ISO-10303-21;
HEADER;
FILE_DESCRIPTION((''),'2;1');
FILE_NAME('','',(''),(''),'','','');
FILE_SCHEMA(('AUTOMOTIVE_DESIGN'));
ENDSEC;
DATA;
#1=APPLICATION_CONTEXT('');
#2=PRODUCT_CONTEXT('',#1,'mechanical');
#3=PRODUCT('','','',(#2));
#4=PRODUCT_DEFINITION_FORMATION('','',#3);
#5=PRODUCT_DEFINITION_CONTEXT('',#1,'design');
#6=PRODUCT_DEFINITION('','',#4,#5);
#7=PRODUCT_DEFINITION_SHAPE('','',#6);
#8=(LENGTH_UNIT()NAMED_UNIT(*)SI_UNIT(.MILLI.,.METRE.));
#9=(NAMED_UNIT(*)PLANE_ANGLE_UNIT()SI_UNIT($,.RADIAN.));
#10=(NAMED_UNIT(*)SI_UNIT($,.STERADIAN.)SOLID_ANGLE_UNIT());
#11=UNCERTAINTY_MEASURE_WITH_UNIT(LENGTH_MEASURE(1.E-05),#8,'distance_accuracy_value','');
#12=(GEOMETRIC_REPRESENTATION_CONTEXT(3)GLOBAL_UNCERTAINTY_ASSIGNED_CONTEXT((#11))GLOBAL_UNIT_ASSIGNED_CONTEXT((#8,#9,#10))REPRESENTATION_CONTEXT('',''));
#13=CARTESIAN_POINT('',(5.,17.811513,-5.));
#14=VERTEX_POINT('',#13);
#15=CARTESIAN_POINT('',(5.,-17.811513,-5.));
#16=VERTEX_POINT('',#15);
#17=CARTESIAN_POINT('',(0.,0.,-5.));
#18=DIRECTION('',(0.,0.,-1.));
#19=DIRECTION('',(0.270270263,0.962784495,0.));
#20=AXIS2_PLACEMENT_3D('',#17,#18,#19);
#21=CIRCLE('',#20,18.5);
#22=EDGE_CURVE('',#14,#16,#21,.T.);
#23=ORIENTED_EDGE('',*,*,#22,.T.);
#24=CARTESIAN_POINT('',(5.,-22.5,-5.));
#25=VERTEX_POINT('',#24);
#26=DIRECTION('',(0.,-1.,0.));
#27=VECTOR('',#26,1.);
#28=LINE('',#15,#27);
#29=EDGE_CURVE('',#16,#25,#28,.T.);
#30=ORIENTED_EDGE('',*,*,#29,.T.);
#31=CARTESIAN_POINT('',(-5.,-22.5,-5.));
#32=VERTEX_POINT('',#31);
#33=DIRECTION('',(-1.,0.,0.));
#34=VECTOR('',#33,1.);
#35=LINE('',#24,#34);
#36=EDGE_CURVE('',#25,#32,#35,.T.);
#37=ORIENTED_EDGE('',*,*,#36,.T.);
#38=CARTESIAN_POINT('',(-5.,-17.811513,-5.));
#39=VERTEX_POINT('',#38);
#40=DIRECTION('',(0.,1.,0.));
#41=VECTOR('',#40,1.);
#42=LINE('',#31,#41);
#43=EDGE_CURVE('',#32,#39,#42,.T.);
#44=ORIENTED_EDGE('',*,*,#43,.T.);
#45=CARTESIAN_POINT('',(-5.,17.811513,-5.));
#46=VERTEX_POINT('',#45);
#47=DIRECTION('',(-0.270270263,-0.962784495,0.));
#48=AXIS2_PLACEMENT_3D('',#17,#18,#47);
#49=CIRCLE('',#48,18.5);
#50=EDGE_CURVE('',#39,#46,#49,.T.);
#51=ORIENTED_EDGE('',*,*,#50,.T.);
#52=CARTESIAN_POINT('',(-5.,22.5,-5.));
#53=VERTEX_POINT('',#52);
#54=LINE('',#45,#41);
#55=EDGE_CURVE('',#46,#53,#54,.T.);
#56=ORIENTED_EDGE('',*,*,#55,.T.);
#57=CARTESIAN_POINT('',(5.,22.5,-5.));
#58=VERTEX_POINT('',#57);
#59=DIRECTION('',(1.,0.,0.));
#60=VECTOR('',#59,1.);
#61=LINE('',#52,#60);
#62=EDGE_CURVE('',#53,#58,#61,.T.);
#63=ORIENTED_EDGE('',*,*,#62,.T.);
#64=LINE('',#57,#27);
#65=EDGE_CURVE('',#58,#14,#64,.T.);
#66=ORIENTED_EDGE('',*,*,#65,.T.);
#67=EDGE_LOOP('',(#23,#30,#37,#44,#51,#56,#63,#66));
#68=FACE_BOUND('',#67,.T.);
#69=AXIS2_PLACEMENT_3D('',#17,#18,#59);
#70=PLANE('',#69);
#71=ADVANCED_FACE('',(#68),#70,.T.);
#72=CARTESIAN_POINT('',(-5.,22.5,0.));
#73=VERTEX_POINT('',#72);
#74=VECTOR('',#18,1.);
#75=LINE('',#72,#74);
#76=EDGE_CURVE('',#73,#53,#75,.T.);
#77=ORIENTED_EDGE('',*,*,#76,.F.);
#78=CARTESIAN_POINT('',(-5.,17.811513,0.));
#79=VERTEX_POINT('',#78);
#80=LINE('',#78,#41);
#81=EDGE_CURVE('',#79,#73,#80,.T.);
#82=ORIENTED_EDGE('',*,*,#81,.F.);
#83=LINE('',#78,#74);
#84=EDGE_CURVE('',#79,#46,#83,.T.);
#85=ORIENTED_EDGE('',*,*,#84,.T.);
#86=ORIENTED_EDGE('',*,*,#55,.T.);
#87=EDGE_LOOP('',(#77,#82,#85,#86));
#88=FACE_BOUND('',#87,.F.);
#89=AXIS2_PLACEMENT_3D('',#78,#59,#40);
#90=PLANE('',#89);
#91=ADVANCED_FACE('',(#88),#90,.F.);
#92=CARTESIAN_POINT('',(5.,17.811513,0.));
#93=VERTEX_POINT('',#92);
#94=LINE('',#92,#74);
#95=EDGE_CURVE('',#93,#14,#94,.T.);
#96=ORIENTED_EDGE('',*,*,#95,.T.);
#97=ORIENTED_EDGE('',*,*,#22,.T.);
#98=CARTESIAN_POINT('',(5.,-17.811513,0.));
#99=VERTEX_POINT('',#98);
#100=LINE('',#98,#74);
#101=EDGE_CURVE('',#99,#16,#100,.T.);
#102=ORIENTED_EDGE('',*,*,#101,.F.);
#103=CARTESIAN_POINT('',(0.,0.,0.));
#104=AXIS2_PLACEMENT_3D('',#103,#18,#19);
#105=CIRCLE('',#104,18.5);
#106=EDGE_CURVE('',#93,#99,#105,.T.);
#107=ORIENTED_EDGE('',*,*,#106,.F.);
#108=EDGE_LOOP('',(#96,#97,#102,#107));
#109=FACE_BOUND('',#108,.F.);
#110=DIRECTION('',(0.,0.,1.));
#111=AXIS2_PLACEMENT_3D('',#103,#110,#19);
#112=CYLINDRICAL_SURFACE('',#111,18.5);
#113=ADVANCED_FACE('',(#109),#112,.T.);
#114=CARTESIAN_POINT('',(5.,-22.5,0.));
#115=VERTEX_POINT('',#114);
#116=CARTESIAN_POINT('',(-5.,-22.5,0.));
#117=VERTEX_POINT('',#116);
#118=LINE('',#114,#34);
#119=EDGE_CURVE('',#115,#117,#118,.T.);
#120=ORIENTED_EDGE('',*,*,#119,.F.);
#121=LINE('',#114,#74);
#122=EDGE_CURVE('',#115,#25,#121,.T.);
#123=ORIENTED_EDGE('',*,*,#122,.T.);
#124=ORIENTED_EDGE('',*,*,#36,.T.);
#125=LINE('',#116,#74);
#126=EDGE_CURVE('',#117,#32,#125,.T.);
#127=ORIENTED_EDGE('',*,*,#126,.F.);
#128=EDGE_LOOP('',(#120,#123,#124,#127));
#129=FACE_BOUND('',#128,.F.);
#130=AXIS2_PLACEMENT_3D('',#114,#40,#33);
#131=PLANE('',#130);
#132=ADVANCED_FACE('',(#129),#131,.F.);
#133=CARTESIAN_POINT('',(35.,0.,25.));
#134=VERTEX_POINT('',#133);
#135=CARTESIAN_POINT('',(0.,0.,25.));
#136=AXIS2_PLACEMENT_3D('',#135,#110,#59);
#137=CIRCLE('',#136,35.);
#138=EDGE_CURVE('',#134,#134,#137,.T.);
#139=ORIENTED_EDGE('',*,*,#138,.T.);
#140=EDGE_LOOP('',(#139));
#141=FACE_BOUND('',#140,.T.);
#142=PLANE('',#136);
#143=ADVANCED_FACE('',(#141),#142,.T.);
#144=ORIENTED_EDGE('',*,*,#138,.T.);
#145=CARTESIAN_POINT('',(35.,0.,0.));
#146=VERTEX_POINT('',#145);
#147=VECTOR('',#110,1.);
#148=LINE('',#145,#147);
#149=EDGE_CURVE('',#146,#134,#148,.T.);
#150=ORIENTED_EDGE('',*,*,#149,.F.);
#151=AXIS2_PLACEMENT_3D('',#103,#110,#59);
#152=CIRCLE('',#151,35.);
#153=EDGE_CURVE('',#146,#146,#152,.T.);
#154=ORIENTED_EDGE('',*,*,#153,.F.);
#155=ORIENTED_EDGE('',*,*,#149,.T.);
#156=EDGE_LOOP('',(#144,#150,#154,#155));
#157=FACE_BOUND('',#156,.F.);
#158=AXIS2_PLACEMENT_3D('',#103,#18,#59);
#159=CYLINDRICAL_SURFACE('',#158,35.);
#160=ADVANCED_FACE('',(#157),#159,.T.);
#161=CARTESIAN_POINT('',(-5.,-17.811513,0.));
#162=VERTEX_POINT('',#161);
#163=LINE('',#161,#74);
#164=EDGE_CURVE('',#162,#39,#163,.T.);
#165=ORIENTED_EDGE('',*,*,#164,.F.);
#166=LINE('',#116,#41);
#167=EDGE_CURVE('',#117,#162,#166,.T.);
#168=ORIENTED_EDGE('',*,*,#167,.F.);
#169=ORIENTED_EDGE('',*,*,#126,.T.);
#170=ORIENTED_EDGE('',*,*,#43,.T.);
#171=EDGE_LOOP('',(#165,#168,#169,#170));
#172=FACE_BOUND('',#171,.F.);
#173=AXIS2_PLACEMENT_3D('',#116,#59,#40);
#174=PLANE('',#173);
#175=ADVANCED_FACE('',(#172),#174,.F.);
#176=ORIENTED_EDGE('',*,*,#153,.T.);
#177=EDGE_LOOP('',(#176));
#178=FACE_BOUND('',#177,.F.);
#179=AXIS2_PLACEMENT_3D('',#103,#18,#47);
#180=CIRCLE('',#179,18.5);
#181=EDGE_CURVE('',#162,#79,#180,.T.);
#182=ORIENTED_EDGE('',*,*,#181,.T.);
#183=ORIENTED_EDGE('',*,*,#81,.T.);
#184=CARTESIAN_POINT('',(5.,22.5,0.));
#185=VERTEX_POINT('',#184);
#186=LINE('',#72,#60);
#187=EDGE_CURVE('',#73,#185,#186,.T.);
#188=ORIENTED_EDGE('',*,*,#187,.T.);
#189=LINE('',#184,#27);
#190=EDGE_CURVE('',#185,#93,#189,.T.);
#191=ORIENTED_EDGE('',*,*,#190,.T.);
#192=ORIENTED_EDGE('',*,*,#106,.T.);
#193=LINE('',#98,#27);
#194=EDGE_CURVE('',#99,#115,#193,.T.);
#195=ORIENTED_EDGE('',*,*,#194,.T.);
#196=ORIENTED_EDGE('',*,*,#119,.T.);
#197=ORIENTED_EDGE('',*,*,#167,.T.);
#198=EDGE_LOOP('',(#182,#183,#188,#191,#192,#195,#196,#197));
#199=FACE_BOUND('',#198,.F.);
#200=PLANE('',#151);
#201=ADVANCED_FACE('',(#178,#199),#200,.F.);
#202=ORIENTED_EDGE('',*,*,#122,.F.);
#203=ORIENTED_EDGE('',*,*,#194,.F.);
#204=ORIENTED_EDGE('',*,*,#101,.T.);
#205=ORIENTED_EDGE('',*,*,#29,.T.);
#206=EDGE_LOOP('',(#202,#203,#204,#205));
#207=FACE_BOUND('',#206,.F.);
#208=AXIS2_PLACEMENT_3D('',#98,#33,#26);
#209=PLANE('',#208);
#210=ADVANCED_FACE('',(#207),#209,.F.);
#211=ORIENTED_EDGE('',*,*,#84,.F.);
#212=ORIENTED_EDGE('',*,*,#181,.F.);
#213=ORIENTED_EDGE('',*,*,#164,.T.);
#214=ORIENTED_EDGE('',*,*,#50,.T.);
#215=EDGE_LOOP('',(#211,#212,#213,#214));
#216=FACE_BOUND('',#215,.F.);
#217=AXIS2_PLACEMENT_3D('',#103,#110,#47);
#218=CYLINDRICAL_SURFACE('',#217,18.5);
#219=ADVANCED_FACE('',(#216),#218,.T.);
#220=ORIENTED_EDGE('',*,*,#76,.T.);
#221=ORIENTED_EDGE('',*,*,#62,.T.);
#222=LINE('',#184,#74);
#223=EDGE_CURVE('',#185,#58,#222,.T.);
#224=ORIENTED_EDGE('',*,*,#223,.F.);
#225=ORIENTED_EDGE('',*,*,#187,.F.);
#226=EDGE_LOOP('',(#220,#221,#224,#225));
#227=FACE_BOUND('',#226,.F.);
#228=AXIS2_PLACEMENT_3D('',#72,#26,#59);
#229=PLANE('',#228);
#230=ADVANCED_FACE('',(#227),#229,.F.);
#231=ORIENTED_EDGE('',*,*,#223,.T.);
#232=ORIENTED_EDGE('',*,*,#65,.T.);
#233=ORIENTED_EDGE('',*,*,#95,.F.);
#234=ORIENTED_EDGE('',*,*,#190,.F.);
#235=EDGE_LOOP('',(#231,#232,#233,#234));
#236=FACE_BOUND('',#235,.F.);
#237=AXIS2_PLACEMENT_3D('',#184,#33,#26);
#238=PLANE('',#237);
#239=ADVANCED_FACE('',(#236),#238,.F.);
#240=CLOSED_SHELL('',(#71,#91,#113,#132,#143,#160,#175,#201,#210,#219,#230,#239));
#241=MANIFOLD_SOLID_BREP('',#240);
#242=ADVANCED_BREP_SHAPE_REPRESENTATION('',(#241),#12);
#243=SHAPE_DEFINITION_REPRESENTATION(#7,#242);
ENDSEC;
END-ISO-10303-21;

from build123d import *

# Parameters (mm, degrees)
F0_R     = 35
F1_DEPTH = 25
F3_DEPTH = 5


with BuildPart() as f1:
    # F0 (on Top) → F1 (new body)
    with BuildSketch(Plane.XY):
        Circle(F0_R)
    extrude(amount=F1_DEPTH)

    # F2 (on face) → F3 (join)
    with BuildSketch(Plane(origin=(0, 0, 0), x_dir=(1, 0, 0), z_dir=(0, 0, -1))):
        with BuildLine():
            Line((-5, 22.5), (-5, 17.811513))
            ThreePointArc((-5, 17.811513), (-18.5, 0), (-5, -17.811513))
            Line((-5, -17.811513), (-5, -22.5))
            Line((-5, -22.5), (5, -22.5))
            Line((5, -22.5), (5, -17.811513))
            ThreePointArc((5, -17.811513), (18.5, 0), (5, 17.811513))
            Line((5, 17.811513), (5, 22.5))
            Line((5, 22.5), (-5, 22.5))
        make_face()
    extrude(amount=F3_DEPTH)


solid = f1.part
